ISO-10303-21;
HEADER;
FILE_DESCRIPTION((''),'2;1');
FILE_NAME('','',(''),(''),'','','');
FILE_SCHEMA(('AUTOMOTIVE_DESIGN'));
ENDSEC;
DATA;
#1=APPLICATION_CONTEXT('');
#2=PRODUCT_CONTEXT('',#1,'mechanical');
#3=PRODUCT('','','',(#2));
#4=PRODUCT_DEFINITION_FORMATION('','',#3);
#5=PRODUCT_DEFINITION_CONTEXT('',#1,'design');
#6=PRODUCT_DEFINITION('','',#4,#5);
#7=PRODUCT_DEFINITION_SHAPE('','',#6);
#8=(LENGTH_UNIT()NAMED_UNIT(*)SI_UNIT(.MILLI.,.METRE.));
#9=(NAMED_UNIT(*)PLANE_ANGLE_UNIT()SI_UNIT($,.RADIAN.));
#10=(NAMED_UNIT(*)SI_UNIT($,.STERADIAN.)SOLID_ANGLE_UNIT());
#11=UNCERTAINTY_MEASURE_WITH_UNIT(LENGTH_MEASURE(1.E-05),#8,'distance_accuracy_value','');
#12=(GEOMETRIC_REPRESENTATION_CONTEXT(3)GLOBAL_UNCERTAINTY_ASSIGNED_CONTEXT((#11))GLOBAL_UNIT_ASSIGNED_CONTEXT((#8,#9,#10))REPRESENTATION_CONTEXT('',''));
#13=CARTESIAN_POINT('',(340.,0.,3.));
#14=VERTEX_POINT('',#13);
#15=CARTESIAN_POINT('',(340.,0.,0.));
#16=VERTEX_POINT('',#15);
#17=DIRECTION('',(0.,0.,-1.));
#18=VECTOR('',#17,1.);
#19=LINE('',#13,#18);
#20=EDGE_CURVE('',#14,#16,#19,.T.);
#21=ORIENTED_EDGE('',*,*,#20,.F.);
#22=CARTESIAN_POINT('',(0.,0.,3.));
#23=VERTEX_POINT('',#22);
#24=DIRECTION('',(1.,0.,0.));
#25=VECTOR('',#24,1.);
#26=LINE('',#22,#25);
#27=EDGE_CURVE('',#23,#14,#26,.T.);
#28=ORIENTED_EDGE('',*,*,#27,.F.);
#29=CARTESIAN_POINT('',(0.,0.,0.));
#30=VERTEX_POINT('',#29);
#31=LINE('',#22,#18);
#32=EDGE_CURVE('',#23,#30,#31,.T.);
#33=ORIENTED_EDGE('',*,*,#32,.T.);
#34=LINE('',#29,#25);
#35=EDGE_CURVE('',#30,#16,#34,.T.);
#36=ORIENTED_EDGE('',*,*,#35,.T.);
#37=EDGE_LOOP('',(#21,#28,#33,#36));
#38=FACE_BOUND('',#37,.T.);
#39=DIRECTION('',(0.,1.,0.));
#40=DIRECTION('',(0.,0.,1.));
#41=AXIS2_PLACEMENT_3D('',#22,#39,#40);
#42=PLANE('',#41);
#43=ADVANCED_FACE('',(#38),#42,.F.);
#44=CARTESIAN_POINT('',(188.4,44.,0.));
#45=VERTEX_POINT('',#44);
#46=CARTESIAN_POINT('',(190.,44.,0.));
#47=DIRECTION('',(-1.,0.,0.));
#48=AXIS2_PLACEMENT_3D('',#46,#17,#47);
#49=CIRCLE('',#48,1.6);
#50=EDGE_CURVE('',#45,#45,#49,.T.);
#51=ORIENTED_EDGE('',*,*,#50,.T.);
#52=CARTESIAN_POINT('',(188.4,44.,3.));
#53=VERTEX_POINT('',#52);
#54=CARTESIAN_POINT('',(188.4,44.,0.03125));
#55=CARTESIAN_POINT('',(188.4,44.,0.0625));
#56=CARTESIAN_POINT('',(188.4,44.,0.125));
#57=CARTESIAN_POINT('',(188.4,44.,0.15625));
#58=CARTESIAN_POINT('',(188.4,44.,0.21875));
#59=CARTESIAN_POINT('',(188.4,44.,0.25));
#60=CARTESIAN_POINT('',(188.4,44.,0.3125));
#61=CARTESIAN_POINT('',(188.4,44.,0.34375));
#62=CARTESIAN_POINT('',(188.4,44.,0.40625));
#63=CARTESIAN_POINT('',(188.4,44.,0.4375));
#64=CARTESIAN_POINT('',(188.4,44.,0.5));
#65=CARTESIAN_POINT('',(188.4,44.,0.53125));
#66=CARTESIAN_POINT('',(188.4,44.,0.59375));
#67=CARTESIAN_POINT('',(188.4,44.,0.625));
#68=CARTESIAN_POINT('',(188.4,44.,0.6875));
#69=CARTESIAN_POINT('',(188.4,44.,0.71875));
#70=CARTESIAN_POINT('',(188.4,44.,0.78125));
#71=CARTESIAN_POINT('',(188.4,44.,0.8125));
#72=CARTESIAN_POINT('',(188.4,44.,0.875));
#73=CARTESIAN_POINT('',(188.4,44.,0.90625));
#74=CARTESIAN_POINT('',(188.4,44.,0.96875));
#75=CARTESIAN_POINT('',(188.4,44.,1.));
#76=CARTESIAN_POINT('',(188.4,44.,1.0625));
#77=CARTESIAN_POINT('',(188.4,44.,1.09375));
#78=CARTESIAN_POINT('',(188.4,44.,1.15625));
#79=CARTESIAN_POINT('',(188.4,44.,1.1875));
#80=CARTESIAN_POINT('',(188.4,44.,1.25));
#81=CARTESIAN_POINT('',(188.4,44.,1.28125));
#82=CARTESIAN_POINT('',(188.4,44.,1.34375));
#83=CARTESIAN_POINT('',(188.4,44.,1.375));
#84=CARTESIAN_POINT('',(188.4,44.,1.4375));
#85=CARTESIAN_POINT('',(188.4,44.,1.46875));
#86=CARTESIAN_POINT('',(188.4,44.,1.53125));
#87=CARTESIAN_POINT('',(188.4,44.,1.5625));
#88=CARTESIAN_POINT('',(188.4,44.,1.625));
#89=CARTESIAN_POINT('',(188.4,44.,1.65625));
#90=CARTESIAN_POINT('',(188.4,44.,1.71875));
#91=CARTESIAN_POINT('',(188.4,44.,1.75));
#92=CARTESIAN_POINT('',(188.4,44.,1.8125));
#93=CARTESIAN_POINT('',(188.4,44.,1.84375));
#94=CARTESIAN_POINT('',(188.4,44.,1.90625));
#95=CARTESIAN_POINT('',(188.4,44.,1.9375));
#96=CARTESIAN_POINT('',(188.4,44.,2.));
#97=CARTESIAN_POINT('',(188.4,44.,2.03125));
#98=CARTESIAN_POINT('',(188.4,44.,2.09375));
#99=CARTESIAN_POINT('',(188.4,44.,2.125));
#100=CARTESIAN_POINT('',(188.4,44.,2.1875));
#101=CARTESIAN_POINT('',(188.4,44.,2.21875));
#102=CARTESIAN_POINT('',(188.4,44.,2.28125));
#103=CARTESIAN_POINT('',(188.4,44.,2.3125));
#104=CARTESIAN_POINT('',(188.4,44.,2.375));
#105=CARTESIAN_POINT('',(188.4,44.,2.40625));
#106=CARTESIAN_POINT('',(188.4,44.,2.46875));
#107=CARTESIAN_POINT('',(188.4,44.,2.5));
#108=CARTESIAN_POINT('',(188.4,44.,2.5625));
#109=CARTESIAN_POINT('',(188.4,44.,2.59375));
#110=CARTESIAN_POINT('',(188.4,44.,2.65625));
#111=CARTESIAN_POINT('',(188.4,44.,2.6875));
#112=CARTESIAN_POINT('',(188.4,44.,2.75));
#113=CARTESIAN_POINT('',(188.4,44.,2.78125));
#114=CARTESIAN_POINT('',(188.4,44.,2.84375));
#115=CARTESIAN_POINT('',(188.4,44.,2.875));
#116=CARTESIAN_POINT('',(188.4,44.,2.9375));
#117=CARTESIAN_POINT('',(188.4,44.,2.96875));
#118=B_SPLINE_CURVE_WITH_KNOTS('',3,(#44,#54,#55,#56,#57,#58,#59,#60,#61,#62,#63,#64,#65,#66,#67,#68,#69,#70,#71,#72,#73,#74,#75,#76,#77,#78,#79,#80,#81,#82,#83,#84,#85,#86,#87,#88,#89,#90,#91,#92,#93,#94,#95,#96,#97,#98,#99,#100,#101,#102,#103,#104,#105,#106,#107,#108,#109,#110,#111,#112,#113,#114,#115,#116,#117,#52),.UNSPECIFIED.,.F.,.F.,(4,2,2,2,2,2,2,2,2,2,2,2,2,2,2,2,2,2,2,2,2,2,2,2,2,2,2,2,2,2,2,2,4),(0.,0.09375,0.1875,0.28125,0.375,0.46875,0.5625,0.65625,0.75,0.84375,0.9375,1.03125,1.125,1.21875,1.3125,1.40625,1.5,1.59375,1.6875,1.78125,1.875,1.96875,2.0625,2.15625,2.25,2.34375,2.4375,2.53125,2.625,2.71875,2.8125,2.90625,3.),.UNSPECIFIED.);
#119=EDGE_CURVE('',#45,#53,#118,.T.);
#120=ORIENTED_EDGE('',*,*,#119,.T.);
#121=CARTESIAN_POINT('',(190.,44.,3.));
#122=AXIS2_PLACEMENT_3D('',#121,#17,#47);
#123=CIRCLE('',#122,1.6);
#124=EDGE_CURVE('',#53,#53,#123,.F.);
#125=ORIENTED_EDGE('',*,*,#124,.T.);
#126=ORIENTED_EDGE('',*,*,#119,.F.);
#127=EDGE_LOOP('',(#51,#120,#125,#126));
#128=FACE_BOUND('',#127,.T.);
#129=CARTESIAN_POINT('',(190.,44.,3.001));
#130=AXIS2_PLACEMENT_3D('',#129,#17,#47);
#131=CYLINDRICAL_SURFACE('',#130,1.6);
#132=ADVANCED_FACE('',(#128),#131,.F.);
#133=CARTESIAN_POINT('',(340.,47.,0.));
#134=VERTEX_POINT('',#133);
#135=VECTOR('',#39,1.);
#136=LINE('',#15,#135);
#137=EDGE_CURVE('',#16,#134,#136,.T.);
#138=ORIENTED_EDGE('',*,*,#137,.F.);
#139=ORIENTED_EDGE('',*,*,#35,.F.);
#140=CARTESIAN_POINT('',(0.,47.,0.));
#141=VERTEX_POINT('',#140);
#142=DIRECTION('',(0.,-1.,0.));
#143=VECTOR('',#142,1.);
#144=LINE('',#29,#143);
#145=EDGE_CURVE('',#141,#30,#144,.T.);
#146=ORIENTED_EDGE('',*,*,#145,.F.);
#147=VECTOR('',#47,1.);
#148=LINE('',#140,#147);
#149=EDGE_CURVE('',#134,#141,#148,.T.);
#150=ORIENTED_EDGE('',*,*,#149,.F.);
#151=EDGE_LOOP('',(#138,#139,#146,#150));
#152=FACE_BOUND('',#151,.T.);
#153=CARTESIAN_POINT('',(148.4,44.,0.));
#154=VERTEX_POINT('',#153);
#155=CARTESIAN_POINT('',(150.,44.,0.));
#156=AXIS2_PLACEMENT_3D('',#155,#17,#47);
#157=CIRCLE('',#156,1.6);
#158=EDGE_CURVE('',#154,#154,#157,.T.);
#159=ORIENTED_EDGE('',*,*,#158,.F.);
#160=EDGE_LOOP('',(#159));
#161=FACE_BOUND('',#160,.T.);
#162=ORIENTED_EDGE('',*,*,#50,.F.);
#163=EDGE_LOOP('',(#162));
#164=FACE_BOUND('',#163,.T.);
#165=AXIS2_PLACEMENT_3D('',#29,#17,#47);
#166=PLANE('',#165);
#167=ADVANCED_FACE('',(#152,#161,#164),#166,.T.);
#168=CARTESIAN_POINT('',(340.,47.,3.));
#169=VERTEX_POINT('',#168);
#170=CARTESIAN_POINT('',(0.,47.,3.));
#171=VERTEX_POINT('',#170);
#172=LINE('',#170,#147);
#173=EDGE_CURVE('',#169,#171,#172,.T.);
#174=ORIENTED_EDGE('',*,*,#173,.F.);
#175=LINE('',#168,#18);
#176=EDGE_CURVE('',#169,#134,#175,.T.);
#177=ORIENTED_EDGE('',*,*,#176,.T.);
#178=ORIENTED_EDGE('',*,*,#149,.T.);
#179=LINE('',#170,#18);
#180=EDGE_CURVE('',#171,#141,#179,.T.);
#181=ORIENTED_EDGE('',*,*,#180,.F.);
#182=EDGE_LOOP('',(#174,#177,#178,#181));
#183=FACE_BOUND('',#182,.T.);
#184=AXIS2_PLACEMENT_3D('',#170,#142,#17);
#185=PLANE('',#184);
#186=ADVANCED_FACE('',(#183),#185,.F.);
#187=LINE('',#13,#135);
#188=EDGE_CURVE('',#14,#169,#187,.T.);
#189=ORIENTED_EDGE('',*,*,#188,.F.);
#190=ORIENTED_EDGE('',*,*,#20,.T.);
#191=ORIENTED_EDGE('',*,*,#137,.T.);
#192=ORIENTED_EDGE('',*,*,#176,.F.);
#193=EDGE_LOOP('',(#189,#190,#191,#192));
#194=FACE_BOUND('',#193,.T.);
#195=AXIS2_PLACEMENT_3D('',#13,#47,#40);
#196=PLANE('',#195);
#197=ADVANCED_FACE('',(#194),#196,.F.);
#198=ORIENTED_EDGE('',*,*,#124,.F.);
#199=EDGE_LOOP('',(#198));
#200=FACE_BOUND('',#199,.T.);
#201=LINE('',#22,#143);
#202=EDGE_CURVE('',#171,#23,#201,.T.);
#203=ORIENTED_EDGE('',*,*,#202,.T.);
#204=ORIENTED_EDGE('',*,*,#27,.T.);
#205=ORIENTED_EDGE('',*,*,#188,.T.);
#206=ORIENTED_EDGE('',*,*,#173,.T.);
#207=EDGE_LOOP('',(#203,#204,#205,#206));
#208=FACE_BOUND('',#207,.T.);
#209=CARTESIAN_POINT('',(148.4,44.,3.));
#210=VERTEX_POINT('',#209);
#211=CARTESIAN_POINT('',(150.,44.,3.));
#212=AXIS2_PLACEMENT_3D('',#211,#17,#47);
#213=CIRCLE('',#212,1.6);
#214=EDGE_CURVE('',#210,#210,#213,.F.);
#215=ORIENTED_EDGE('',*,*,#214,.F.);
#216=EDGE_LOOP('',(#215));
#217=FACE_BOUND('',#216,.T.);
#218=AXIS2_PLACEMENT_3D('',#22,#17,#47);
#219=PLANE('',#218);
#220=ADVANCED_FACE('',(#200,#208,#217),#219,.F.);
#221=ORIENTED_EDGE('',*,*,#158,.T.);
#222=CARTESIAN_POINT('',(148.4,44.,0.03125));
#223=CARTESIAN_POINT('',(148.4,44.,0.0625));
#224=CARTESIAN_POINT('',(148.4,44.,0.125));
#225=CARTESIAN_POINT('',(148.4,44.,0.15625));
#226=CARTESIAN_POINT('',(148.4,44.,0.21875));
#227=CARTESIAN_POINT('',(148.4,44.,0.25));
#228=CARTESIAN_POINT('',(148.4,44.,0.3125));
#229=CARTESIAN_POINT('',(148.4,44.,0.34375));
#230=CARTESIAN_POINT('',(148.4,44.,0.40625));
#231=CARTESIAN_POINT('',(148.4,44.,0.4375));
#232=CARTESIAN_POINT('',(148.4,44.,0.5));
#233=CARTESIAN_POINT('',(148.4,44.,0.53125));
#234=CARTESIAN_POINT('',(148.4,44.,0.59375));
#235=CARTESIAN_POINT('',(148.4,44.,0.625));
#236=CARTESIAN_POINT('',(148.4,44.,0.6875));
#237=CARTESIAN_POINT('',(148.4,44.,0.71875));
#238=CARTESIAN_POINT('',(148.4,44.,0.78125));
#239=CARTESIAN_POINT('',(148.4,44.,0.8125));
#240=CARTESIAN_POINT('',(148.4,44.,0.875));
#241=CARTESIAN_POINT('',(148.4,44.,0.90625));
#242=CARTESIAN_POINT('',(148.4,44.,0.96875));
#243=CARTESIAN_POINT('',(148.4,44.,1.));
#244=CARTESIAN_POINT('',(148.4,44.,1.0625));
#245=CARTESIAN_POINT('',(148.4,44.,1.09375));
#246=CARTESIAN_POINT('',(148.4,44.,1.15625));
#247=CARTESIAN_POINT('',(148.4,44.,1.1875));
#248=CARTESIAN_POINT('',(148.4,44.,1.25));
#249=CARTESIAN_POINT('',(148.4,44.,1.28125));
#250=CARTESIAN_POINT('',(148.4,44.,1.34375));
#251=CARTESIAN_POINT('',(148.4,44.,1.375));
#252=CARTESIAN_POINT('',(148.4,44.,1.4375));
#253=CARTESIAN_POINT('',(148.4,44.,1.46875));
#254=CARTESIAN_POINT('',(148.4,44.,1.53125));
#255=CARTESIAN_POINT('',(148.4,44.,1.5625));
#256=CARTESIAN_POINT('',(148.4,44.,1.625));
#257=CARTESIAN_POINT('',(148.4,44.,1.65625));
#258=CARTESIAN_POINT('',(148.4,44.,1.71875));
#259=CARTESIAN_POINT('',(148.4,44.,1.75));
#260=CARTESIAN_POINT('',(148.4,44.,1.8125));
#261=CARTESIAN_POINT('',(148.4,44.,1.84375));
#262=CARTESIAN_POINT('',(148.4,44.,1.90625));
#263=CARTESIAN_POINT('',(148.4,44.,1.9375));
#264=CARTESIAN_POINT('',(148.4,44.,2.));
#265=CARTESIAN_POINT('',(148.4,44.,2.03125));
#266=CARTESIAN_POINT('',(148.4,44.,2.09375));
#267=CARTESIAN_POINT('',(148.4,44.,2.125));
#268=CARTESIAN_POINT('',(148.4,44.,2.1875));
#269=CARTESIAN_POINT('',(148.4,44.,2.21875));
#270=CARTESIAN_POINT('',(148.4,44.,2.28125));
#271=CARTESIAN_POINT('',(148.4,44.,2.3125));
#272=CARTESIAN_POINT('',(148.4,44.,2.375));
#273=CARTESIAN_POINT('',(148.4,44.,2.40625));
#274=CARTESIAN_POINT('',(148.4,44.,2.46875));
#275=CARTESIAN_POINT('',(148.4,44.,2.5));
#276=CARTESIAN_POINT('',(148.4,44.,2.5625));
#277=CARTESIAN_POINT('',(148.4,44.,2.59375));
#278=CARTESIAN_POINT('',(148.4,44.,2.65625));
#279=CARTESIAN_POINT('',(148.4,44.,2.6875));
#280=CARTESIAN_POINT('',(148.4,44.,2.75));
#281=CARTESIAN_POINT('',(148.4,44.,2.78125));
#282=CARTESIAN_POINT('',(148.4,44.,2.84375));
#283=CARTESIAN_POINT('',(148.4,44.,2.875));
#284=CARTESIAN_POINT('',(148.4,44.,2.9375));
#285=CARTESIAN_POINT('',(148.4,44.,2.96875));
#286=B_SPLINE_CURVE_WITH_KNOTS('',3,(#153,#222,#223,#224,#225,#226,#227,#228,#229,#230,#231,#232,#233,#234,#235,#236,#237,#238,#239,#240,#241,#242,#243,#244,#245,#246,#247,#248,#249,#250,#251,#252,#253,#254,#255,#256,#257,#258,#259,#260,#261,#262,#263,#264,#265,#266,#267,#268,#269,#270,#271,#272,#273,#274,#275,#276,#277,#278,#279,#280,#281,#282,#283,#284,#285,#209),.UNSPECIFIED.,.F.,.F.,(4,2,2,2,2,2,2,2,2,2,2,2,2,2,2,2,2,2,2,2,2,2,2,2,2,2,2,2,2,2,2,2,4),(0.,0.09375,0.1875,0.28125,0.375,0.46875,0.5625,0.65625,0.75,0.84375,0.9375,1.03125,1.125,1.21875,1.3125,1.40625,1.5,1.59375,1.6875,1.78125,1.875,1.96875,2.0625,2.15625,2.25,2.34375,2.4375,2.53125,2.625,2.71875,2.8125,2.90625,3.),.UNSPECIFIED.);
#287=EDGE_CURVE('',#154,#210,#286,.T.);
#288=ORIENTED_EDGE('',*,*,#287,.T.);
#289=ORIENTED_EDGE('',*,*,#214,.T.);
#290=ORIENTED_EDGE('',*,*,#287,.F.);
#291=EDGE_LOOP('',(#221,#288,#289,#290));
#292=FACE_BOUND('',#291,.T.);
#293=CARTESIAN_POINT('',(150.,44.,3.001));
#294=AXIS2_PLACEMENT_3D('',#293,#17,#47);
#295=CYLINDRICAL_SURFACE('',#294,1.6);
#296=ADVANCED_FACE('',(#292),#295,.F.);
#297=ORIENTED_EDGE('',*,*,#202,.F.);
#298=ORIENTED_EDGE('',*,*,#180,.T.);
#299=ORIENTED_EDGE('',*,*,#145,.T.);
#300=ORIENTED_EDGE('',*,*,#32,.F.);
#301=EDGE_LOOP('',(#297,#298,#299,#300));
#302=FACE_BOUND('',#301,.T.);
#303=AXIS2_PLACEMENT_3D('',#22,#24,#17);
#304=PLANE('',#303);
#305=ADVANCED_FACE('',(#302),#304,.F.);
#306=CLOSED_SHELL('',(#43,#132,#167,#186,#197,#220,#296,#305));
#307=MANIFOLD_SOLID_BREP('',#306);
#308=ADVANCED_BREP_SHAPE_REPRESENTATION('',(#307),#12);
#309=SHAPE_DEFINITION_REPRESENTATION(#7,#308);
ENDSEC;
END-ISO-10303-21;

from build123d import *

# Parameters (mm, degrees)
SKETCH1_W           = 340
SKETCH1_H           = 47
BOSS_EXTRUDE1_DEPTH = 3
CUT_EXTRUDE1_REACH  = 345.246
SKETCH2_R           = 1.6


with BuildPart() as part:
    # Sketch1 → Boss-Extrude1 (new body)
    with BuildSketch(Plane.XY):
        with Locations((170, 23.5)):
            Rectangle(SKETCH1_W, SKETCH1_H)
    extrude(amount=BOSS_EXTRUDE1_DEPTH)

    # Sketch2 → Cut-Extrude1 (cut, up to next)
    with BuildSketch(Plane(origin=(0, 0, 0), x_dir=(-1, 0, 0), z_dir=(0, 0, -1)), mode=Mode.PRIVATE) as cut_extrude1_sk1:
        with Locations((-150, 44)):
            Circle(SKETCH2_R)
    cut_extrude1_tool1 = extrude(cut_extrude1_sk1.sketch, amount=-CUT_EXTRUDE1_REACH, mode=Mode.PRIVATE) & part.part
    # Sketch2 → Cut-Extrude1 (cut, up to next)
    with BuildSketch(Plane(origin=(0, 0, 0), x_dir=(-1, 0, 0), z_dir=(0, 0, -1)), mode=Mode.PRIVATE) as cut_extrude1_sk2:
        with Locations((-190, 44)):
            Circle(SKETCH2_R)
    cut_extrude1_tool2 = extrude(cut_extrude1_sk2.sketch, amount=-CUT_EXTRUDE1_REACH, mode=Mode.PRIVATE) & part.part
    add(cut_extrude1_tool1.solids().sort_by_distance((150, 44, 0))[0], mode=Mode.SUBTRACT)
    add(cut_extrude1_tool2.solids().sort_by_distance((190, 44, 0))[0], mode=Mode.SUBTRACT)


solid = part.part
